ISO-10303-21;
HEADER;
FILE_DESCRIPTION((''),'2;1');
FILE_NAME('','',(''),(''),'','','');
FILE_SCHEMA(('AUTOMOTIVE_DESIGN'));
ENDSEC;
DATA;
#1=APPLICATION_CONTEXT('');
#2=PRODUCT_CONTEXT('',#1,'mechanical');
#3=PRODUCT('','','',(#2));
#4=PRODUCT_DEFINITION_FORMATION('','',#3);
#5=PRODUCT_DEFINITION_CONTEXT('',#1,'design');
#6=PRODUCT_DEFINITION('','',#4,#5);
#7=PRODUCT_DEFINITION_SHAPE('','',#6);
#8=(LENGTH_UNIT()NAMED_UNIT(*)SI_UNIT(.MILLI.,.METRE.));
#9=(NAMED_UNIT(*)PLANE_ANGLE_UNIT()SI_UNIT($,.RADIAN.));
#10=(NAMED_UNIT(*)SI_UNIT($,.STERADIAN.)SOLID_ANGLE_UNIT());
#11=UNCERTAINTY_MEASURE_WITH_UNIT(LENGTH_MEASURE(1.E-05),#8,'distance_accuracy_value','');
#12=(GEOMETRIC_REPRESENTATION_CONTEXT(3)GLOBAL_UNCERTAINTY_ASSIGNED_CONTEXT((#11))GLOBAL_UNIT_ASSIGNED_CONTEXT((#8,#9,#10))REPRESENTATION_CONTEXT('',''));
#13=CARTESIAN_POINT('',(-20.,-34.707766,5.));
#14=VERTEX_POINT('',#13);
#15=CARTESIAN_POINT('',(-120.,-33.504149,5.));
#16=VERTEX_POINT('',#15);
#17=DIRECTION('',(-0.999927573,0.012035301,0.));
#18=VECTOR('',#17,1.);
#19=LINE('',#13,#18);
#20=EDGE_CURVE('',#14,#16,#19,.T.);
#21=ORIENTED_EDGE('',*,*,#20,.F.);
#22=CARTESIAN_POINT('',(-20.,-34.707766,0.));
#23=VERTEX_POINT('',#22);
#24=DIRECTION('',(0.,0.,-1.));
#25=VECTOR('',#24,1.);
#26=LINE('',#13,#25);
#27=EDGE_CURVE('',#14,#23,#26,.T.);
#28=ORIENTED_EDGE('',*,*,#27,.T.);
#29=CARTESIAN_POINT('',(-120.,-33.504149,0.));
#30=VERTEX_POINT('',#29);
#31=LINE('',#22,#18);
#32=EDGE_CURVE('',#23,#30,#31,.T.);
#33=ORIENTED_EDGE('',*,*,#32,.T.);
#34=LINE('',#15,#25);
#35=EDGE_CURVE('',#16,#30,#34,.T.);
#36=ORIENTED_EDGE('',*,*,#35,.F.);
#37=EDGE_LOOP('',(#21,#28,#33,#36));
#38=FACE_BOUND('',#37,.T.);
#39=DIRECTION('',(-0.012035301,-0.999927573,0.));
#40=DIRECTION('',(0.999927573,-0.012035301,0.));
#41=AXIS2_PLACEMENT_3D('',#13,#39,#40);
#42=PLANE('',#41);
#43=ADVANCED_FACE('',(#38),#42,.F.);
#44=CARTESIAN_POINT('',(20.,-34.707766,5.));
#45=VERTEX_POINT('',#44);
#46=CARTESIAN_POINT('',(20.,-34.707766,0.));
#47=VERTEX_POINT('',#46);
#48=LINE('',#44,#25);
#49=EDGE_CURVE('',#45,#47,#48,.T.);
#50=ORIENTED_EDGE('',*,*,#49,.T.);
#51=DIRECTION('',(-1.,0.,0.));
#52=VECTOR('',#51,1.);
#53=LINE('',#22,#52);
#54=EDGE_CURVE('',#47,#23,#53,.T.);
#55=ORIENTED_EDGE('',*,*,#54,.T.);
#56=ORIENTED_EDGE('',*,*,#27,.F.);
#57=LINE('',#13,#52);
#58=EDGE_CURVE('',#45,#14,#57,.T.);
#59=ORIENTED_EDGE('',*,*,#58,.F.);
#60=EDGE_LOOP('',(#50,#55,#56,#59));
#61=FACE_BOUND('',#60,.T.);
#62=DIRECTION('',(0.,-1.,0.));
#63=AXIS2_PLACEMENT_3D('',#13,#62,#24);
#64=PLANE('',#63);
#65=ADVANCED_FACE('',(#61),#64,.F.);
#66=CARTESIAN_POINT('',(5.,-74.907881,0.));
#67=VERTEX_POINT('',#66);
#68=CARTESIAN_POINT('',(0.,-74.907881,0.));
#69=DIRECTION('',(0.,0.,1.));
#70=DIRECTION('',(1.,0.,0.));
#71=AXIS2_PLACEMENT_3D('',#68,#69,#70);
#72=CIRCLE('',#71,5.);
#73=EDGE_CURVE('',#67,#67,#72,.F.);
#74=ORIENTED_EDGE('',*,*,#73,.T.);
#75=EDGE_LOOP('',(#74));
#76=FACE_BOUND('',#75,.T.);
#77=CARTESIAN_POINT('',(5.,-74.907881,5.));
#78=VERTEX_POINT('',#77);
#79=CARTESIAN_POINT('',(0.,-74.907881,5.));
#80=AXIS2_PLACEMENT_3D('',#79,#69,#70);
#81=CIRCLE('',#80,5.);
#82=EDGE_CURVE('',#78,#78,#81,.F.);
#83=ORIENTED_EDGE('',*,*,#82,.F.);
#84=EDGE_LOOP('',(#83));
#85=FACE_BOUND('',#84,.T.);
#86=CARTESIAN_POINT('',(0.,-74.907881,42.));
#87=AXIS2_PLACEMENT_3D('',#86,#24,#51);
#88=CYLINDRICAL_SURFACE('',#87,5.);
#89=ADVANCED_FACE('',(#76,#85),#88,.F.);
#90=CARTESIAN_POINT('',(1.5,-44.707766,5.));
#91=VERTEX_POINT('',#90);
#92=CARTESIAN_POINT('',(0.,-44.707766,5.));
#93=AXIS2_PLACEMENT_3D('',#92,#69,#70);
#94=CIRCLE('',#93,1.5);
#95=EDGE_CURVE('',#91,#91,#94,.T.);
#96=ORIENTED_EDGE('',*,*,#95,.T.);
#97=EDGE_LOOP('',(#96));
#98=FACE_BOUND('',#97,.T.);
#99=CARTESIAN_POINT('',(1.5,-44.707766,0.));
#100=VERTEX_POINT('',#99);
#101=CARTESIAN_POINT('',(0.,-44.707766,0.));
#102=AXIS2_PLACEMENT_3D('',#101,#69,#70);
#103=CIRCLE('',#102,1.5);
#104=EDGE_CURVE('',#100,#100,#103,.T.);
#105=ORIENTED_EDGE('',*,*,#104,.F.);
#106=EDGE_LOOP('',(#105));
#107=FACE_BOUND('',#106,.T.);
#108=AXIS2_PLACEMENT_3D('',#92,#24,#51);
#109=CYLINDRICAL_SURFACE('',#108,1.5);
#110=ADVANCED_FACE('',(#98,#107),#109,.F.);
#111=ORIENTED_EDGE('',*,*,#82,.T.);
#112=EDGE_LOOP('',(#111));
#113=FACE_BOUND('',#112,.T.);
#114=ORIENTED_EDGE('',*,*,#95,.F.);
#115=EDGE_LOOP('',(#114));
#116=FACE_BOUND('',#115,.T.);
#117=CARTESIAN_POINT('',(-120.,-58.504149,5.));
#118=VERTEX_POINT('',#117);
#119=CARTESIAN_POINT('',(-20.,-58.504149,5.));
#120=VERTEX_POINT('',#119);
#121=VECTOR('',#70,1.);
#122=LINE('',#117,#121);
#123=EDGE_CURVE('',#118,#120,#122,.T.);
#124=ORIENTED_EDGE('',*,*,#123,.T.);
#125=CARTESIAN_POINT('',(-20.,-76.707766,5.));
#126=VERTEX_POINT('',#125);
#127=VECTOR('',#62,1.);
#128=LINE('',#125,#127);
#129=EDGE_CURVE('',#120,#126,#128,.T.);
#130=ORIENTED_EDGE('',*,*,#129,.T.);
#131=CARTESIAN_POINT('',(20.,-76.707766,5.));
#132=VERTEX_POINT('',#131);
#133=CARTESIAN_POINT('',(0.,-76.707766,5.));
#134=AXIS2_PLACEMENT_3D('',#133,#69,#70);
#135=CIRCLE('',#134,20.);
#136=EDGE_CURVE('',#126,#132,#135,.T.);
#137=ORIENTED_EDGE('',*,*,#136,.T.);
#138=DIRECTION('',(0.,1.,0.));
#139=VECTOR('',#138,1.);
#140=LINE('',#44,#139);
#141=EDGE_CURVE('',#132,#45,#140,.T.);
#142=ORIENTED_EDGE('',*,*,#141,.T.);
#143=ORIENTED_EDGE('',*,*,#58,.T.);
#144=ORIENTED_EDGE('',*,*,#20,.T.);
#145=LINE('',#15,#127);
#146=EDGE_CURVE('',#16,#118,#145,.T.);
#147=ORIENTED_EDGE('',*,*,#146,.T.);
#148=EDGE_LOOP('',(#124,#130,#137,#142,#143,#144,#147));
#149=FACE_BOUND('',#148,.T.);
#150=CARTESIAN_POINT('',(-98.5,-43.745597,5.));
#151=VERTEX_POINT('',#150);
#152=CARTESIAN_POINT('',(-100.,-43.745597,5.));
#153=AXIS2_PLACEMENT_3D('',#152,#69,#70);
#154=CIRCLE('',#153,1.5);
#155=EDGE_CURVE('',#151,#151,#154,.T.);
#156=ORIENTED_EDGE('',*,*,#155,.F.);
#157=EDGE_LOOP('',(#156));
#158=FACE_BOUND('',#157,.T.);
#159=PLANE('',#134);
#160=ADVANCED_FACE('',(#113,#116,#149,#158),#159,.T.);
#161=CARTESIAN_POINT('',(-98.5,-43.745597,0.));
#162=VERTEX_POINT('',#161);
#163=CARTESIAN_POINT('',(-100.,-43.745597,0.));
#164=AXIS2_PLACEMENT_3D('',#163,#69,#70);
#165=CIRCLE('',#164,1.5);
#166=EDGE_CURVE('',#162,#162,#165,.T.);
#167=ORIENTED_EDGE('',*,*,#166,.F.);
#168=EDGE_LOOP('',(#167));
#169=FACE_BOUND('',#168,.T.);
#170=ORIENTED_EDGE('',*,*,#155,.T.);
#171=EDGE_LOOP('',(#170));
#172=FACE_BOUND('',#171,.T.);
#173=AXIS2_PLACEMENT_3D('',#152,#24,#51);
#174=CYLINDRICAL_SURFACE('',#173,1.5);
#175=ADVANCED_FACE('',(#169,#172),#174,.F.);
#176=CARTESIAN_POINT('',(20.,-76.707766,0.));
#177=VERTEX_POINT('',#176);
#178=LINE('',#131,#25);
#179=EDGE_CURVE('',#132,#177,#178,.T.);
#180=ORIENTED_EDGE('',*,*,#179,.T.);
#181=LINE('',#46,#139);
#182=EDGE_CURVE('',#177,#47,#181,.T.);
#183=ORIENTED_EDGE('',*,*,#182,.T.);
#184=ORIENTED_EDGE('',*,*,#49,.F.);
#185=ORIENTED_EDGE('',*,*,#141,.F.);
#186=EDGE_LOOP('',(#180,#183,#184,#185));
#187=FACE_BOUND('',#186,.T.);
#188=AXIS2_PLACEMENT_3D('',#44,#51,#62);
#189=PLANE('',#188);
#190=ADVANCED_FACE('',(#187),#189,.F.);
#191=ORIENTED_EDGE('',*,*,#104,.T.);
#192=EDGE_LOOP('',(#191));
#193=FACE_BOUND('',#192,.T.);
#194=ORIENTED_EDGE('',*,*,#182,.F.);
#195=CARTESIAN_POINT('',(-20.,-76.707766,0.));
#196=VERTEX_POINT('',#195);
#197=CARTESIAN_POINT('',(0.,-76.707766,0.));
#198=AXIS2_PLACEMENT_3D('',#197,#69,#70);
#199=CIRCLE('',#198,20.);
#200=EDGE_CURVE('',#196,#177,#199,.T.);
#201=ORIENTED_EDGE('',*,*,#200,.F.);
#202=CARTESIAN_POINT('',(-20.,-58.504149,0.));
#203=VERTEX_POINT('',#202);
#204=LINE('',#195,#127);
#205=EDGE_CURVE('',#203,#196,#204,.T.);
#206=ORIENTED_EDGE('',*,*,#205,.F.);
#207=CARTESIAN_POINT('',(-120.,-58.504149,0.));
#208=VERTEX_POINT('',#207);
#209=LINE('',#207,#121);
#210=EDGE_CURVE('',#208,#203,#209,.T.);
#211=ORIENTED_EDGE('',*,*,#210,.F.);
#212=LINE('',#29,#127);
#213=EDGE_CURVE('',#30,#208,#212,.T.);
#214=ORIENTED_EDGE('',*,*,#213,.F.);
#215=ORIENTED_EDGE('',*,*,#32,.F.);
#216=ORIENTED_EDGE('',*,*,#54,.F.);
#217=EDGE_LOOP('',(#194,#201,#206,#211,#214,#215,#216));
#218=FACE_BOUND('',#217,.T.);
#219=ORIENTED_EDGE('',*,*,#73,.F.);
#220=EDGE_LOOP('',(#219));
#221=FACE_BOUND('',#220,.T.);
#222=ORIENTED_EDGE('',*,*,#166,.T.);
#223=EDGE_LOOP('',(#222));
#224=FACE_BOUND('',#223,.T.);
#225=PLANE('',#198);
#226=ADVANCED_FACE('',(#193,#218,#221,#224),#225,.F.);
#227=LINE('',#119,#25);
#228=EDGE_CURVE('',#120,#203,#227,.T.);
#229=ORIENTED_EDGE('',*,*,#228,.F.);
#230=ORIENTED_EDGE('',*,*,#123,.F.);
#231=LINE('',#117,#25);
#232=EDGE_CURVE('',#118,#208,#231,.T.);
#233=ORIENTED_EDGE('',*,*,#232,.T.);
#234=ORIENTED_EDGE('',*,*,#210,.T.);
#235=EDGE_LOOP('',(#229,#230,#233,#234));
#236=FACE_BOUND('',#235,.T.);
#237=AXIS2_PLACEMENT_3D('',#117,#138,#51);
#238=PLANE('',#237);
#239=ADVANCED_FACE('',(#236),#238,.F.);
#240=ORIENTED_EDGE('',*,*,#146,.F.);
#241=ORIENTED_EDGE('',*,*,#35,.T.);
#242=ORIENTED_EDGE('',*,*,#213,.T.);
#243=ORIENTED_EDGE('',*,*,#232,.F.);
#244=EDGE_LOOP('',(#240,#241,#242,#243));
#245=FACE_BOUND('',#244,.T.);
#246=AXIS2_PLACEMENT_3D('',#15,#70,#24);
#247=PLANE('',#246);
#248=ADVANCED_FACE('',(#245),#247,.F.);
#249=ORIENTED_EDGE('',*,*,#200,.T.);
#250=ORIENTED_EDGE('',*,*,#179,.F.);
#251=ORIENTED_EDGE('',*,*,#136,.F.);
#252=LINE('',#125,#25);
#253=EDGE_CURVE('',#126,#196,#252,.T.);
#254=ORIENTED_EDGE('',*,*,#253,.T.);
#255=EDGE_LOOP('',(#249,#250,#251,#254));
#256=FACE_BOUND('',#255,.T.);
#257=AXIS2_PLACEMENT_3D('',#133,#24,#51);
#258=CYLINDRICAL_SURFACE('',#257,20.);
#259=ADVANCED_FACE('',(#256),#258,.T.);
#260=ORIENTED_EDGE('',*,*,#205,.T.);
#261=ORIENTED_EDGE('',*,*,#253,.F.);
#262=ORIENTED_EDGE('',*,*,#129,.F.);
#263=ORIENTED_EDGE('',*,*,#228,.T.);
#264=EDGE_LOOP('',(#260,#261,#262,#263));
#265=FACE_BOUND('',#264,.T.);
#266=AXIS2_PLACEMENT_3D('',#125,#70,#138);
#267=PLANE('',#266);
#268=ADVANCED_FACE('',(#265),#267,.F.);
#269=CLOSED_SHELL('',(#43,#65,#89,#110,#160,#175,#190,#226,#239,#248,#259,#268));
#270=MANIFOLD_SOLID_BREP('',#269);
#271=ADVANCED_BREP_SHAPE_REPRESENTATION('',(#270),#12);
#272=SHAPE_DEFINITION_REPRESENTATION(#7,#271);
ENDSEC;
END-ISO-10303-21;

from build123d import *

# Parameters (mm, degrees)
SKETCH1_R               = 1.5
BOSS_EXTRUDE1_DEPTH     = 5
CUT_EXTRUDE1_DEPTH      = 37
CUT_EXTRUDE1_DEPTH_BACK = 24
SKETCH2_R               = 5


with BuildPart() as part:
    # Sketch1 → Boss-Extrude1 (new body)
    with BuildSketch(Plane.XY):
        with BuildLine():
            Line((-20, -76.707766284), (-20, -58.504148974))
            Line((-20, -58.504148974), (-120, -58.504148974))
            Line((-120, -58.504148974), (-120, -33.504148974))
            Line((-120, -33.504148974), (-20, -34.707766284))
            Line((-20, -34.707766284), (20, -34.707766284))
            Line((20, -34.707766284), (20, -76.707766284))
            ThreePointArc((20, -76.707766284), (0, -96.707766284), (-20, -76.707766284))
        make_face()
        with Locations((0, -44.707766284)):
            Circle(SKETCH1_R, mode=Mode.SUBTRACT)
        with Locations((-100, -43.745596757)):
            Circle(SKETCH1_R, mode=Mode.SUBTRACT)
    extrude(amount=BOSS_EXTRUDE1_DEPTH)

    # Sketch2 → Cut-Extrude1 (cut, two sides: drawn at the far end of the back side and taken through both)
    with BuildSketch(Plane.XY.offset(5).offset(-CUT_EXTRUDE1_DEPTH_BACK)):
        with Locations((0, -74.90788056)):
            Circle(SKETCH2_R)
    extrude(amount=CUT_EXTRUDE1_DEPTH + CUT_EXTRUDE1_DEPTH_BACK, mode=Mode.SUBTRACT)


solid = part.part
